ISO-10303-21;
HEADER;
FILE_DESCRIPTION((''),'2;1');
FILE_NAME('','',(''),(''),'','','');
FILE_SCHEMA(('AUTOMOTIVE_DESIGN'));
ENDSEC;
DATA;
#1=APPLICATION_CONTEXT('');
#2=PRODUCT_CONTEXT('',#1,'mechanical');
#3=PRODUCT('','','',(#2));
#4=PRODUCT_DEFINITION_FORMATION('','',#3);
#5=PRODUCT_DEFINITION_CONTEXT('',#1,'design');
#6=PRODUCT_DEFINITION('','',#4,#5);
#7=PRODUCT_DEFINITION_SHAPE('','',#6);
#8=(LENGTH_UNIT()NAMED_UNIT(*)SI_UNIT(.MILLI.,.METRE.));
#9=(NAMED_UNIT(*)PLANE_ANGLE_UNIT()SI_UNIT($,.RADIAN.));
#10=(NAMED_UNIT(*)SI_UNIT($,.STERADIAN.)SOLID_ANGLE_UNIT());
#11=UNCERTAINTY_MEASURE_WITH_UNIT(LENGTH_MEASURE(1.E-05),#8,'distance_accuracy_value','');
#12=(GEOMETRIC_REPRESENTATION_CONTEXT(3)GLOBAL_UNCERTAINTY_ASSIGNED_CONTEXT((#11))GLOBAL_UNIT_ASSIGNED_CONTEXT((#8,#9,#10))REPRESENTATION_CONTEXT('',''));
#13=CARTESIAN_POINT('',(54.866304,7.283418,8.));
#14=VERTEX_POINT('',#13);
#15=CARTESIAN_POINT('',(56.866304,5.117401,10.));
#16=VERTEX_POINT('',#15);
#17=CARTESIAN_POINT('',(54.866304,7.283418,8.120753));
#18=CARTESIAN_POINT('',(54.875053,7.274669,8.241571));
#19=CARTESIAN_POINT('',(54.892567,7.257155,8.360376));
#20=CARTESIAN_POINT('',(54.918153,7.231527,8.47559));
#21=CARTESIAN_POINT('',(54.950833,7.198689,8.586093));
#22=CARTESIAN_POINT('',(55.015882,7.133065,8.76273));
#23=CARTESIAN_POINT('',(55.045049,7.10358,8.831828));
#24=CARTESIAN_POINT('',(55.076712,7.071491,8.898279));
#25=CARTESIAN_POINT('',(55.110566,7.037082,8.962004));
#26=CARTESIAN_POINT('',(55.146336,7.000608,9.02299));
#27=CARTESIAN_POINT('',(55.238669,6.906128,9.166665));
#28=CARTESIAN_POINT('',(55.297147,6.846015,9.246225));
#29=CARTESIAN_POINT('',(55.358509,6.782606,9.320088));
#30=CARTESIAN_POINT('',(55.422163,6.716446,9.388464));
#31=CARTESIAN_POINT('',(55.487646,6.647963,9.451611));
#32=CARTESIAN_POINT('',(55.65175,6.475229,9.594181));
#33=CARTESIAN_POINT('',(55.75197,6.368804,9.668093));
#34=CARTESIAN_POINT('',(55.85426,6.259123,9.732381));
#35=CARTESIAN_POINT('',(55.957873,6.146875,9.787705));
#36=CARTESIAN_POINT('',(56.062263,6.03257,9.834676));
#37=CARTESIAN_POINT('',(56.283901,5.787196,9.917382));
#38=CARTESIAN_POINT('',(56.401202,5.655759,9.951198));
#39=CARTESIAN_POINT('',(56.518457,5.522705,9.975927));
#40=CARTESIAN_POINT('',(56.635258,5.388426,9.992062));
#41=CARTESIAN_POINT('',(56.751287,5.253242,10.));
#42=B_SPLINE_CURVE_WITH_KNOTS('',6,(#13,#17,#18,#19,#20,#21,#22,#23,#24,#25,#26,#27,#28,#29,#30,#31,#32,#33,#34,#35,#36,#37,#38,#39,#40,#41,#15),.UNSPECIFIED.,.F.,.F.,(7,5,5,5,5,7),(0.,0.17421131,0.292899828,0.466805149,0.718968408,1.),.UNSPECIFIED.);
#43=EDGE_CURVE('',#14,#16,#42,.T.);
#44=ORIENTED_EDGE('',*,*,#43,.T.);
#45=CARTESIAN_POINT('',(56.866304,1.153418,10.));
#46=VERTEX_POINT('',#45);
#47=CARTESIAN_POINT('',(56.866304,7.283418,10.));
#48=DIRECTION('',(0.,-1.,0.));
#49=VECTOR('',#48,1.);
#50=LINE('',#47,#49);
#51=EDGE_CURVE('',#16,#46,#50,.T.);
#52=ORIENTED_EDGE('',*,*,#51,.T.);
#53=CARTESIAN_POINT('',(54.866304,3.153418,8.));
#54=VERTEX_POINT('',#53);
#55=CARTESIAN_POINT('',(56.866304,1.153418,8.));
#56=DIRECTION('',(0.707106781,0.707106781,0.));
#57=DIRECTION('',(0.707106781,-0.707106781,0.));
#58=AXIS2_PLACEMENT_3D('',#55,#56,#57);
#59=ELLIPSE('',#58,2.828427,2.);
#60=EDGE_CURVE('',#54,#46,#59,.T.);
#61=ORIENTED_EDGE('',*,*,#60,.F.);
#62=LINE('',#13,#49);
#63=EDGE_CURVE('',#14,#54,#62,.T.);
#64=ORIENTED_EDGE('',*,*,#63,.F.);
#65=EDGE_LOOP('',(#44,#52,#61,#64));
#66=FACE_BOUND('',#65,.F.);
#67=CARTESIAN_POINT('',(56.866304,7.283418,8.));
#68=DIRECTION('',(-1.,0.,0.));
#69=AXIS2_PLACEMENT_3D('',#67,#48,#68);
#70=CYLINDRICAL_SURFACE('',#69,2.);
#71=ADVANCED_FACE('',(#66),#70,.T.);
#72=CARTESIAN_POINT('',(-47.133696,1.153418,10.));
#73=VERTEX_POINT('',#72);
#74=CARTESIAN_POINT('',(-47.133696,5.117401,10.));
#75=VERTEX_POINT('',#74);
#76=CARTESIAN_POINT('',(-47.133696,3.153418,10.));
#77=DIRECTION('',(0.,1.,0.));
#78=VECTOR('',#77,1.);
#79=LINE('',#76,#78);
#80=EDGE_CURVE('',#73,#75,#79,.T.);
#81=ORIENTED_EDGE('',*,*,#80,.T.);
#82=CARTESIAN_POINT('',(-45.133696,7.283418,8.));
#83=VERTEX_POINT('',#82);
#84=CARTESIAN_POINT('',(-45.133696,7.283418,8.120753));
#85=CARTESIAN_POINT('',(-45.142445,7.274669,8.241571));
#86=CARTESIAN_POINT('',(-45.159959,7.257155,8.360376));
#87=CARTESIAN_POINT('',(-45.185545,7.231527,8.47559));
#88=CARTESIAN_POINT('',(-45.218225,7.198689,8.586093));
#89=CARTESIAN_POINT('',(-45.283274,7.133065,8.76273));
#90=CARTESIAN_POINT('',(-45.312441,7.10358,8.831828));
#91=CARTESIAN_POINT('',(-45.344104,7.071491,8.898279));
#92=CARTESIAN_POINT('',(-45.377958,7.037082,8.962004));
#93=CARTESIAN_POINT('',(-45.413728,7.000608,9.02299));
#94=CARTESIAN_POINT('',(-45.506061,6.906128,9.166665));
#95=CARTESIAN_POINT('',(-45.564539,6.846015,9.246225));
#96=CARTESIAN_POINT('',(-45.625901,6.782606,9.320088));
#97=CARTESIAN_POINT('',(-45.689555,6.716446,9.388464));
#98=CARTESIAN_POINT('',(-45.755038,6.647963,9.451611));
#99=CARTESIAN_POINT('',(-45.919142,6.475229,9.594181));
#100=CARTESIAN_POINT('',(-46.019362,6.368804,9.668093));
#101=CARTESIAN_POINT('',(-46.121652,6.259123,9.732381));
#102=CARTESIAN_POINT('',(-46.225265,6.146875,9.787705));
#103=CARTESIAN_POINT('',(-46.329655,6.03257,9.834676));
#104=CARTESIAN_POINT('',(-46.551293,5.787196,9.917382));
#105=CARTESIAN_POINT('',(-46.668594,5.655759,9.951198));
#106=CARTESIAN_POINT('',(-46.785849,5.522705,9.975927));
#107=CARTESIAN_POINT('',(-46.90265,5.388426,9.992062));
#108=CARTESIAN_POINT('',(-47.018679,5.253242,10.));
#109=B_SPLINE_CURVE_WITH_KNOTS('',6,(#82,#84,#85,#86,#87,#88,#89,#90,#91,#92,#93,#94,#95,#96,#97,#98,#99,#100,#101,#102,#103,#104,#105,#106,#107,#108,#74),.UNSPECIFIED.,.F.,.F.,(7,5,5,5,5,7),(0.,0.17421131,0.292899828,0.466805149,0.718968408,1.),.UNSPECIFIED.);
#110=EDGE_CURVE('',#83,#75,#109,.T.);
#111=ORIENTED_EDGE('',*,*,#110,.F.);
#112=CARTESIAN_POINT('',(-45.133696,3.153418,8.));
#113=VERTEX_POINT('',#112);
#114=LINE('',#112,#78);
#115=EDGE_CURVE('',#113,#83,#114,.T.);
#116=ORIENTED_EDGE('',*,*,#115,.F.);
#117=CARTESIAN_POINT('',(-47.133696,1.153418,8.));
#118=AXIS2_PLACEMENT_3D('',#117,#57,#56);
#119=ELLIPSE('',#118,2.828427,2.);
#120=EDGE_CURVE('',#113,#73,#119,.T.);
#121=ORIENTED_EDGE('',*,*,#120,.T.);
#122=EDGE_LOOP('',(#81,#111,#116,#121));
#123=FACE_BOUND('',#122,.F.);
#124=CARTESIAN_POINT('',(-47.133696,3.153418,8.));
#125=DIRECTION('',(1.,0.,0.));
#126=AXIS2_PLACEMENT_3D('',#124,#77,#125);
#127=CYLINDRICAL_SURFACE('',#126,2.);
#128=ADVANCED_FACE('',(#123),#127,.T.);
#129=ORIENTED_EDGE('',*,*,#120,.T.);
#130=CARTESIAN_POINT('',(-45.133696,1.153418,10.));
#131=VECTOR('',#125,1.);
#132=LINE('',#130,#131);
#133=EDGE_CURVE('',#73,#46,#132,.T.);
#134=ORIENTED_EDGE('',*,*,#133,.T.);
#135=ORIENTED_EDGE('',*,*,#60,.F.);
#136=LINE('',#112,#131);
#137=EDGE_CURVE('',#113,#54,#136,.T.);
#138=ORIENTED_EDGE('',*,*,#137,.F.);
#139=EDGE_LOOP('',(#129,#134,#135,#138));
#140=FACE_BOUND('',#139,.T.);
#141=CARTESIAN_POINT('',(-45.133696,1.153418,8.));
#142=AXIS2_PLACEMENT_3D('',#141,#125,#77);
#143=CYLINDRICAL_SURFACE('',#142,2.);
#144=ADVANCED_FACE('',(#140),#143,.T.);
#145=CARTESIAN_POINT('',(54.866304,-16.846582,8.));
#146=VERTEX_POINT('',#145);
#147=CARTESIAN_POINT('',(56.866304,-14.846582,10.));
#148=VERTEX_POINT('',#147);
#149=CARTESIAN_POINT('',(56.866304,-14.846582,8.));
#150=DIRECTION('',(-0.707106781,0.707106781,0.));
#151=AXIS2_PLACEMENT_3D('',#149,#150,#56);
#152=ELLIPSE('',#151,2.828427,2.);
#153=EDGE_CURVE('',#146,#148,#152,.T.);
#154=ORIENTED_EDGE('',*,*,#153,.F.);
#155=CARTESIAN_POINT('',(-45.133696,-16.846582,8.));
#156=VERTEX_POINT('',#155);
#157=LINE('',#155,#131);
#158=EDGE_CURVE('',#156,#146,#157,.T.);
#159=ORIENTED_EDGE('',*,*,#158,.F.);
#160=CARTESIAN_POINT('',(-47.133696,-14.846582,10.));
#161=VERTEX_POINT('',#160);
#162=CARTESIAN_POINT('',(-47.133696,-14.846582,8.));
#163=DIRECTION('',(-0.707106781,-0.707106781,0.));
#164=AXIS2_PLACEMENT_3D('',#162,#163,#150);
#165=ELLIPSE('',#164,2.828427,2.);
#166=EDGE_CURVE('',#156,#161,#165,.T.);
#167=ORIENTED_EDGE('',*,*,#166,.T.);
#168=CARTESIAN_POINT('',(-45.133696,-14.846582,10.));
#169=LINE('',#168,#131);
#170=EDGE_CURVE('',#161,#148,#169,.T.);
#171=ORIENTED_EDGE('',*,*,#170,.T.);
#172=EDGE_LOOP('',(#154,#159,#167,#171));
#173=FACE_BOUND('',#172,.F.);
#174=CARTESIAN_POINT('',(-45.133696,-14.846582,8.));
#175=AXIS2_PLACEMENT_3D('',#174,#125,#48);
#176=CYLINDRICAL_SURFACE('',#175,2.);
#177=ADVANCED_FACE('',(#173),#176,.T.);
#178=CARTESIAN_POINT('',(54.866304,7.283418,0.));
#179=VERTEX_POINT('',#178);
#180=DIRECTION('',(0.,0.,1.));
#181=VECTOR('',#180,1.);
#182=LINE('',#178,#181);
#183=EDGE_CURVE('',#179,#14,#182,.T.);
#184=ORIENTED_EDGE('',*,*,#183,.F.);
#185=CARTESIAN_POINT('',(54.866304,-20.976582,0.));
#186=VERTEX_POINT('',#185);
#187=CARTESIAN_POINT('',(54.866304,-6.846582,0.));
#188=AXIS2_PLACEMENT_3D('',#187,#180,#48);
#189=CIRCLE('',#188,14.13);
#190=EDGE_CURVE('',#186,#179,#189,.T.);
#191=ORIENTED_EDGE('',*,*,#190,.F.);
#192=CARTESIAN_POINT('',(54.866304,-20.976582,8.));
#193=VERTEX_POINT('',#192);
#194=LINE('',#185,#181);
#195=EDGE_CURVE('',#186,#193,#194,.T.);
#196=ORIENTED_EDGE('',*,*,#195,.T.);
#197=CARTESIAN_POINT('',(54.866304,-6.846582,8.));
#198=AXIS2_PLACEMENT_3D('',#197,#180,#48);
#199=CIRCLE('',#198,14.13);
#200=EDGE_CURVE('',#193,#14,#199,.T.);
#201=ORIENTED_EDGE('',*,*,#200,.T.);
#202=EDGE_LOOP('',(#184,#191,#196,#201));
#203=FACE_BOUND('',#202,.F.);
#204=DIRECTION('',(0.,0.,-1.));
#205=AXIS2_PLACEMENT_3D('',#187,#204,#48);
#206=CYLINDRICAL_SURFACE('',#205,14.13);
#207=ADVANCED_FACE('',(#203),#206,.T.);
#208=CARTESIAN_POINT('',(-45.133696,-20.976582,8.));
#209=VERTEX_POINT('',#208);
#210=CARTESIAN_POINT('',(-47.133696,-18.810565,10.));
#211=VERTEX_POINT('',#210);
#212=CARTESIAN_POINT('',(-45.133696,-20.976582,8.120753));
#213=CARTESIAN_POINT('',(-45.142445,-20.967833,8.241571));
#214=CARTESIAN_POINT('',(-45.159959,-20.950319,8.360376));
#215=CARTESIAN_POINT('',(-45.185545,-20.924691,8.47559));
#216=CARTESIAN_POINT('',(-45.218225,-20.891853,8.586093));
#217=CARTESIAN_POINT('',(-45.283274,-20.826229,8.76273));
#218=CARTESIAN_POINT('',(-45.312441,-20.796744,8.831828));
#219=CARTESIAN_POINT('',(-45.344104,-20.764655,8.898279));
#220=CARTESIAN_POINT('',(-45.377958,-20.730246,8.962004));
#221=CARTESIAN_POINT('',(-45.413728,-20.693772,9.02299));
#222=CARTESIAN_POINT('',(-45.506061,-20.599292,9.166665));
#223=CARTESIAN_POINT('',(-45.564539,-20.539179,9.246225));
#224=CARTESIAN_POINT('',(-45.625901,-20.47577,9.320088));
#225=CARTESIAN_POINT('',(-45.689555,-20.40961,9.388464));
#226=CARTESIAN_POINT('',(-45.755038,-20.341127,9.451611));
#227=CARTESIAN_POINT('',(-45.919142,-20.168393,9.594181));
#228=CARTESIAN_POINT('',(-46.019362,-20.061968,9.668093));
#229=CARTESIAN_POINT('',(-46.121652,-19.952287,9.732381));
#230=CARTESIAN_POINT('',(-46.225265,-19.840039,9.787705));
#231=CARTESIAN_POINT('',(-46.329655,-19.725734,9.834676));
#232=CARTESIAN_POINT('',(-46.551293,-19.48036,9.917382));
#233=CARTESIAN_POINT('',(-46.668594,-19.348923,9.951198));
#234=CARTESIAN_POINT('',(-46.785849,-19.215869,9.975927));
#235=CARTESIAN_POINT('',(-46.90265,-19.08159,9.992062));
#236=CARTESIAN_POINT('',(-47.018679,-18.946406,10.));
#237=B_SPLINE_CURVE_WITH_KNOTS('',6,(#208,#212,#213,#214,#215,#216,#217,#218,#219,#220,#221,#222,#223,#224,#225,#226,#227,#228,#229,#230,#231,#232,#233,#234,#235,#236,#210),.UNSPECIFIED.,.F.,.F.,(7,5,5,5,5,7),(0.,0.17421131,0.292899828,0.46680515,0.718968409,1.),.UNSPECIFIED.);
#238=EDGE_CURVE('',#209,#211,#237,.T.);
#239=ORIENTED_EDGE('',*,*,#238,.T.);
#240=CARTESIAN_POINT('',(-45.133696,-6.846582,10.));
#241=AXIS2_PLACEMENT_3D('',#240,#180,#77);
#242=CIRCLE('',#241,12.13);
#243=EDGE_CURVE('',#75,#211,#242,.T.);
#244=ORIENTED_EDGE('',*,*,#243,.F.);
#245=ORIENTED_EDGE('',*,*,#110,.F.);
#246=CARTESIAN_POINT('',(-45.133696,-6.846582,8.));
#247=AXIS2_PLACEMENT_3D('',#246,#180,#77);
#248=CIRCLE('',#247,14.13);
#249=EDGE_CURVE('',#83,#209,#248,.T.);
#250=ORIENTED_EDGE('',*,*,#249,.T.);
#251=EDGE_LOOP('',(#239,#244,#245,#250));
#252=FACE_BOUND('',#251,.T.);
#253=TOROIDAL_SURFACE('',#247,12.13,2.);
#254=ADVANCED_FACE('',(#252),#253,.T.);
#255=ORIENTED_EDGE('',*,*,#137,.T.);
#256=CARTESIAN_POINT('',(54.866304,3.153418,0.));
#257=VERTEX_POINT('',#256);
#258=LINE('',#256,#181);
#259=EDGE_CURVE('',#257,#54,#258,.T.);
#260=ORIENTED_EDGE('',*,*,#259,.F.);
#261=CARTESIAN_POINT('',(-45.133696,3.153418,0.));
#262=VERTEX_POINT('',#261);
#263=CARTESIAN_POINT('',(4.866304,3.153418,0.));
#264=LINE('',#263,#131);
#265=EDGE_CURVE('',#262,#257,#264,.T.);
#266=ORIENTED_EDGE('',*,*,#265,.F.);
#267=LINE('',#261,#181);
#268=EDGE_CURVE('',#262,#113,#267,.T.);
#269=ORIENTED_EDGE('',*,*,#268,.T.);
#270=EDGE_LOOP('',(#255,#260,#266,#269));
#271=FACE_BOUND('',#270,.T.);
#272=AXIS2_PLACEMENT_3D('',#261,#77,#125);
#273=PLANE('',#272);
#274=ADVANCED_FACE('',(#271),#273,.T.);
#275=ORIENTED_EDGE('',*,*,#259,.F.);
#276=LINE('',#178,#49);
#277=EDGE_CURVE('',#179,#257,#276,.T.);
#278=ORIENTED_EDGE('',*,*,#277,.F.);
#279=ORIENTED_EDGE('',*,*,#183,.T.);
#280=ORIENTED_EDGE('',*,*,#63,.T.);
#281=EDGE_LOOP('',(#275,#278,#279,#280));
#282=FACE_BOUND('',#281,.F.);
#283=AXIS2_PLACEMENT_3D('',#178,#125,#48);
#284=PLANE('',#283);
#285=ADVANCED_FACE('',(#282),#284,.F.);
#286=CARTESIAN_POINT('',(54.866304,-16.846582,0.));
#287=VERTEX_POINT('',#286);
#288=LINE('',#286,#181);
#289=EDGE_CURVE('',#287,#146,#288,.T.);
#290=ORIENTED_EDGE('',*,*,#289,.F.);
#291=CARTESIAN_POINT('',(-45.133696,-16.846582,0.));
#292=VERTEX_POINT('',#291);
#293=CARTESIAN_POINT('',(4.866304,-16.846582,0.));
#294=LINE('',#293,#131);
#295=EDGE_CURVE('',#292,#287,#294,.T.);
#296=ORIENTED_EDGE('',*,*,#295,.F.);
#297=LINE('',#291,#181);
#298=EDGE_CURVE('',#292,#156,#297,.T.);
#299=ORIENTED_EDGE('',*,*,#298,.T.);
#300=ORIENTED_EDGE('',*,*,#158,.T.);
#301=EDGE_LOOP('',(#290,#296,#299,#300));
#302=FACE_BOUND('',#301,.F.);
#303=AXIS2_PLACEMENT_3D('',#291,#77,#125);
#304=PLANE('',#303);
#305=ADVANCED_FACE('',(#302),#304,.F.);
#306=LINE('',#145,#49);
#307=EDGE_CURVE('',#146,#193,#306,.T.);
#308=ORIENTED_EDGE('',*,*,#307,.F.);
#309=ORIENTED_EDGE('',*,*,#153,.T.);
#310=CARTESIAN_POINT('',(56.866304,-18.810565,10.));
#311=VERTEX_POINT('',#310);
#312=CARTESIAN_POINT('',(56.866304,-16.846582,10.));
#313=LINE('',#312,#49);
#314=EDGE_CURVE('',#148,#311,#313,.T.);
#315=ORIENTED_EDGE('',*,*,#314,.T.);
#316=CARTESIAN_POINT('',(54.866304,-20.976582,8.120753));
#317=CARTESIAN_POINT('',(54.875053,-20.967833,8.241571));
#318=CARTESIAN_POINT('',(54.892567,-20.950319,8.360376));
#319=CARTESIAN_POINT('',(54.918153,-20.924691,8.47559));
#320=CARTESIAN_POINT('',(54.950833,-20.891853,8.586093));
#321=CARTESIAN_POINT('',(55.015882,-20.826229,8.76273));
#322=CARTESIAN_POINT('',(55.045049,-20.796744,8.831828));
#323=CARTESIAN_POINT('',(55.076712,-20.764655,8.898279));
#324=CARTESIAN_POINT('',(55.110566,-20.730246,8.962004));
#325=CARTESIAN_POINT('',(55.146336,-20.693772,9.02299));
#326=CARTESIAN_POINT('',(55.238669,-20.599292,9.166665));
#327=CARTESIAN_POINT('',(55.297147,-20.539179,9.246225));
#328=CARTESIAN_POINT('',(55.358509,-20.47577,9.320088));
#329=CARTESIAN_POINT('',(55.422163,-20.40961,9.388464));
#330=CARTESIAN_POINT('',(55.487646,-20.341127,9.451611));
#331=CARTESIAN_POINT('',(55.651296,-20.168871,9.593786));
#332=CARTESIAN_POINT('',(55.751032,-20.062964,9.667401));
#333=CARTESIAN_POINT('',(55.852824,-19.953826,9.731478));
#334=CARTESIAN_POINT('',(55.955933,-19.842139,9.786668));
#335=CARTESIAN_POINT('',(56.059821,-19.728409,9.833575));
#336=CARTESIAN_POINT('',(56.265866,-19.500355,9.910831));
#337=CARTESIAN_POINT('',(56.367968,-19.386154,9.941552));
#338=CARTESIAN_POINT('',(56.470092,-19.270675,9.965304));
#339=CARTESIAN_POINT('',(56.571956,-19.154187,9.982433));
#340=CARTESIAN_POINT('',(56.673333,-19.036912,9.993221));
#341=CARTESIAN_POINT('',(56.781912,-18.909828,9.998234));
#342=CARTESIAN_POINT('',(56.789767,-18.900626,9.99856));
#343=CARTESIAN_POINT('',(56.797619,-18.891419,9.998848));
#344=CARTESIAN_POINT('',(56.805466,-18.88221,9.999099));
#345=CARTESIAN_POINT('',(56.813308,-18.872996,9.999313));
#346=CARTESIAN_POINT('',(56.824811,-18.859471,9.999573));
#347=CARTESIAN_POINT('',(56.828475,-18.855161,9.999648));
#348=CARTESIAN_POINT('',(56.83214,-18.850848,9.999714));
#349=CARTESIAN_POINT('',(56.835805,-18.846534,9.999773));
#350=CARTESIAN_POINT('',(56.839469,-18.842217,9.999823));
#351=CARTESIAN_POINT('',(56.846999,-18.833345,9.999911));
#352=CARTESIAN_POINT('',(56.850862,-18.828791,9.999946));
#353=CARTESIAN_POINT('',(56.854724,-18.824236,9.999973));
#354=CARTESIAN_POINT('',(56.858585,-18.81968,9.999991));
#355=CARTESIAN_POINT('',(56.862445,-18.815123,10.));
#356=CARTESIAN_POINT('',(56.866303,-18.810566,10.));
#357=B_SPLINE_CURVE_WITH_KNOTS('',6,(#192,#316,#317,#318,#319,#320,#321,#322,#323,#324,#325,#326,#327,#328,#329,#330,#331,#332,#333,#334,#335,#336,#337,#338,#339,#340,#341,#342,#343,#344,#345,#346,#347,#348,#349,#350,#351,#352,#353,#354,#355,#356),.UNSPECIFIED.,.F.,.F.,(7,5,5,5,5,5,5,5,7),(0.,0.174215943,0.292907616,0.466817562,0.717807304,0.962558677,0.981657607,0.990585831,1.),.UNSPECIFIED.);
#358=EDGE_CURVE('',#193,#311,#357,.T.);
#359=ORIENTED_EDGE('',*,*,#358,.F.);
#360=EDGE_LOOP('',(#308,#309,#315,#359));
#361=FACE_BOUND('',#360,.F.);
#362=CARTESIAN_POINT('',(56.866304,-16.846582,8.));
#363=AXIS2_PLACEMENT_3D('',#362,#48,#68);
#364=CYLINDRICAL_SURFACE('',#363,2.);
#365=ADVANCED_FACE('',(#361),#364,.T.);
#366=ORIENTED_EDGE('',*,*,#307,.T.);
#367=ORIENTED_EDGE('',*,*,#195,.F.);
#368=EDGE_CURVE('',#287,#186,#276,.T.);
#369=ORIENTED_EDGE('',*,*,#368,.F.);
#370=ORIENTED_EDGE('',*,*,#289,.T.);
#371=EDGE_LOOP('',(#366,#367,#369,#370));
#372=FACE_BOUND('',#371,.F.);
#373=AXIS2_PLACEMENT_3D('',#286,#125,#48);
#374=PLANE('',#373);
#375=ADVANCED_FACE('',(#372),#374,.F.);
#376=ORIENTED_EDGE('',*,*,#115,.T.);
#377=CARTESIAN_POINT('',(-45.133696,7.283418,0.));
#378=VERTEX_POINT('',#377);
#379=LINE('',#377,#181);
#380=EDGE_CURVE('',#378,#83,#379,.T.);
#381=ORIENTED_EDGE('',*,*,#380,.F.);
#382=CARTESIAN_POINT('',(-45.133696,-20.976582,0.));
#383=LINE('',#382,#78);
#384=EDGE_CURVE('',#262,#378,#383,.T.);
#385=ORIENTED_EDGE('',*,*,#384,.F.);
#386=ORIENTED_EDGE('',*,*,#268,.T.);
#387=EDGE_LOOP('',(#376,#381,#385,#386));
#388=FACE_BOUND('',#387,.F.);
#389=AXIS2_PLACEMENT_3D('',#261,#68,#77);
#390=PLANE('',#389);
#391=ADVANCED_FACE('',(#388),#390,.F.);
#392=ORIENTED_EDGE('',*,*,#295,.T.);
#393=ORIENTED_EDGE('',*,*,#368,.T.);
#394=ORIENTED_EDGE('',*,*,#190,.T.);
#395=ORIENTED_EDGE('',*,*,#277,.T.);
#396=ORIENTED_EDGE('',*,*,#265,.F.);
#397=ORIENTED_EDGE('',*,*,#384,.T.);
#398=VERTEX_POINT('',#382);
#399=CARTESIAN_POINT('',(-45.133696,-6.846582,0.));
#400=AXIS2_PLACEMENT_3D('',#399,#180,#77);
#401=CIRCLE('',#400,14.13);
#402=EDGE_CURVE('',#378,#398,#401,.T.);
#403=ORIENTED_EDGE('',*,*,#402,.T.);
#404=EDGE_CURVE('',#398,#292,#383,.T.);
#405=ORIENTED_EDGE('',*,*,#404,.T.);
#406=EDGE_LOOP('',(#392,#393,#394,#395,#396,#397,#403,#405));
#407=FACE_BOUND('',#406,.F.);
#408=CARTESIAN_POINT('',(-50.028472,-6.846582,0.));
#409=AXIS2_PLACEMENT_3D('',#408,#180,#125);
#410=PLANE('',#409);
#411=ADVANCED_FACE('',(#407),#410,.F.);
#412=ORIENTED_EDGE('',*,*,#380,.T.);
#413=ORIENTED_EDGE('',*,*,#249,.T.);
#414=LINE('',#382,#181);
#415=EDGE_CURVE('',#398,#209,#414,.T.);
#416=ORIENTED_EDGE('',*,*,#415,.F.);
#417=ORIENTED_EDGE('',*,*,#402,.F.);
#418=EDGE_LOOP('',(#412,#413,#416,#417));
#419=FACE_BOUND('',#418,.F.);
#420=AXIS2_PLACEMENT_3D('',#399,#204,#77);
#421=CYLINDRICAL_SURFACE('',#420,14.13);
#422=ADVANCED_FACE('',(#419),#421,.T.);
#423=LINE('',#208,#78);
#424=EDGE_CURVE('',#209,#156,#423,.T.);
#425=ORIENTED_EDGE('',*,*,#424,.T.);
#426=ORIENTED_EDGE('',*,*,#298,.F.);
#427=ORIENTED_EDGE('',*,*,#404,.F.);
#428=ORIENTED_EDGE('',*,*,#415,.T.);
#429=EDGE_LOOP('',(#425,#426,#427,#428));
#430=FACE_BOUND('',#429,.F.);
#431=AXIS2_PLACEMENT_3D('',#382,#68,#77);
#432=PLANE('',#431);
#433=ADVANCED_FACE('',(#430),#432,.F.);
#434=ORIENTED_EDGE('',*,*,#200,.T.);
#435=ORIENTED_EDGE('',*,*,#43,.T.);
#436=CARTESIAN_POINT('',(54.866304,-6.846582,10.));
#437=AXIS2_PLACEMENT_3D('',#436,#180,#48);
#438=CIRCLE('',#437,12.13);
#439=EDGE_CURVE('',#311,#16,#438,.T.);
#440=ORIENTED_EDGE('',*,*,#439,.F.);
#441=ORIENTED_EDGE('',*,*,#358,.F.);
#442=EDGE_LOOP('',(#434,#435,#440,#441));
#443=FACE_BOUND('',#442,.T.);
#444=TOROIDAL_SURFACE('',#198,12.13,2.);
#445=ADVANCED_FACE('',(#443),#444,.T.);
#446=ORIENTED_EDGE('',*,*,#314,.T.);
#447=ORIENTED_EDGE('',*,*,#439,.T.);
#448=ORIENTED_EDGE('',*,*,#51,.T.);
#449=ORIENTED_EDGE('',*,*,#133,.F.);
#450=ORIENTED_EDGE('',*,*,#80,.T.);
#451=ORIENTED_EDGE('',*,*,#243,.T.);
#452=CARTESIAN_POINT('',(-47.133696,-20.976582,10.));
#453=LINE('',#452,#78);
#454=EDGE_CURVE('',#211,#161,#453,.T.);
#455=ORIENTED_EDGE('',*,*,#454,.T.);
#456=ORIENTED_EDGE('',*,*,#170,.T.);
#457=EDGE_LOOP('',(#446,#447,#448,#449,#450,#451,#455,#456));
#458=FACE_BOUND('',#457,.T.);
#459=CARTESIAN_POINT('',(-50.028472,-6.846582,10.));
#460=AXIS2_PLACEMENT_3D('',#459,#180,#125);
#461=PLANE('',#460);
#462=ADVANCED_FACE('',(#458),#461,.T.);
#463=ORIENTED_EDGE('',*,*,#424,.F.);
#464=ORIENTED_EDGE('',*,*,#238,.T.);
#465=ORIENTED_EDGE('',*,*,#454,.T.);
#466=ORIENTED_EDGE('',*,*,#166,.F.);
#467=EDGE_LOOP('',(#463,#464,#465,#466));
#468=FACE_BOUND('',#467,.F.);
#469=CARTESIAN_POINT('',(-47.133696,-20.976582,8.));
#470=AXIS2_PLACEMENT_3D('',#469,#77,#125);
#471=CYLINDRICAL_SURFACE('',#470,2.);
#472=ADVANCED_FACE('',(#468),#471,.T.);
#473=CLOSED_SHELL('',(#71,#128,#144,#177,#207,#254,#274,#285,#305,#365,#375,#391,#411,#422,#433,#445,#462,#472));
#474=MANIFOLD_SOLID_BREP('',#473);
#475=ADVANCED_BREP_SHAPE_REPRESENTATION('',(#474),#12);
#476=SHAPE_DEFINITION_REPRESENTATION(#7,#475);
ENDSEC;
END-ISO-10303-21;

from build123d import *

# Parameters (mm, degrees)
F0_W     = 100
F0_H     = 20
F1_DEPTH = 10
F2_R     = 2


with BuildPart() as f1:
    # F0 (on Top) → F1 (new body)
    with BuildSketch(Plane.XY):
        with BuildLine():
            Line((-45.133696, -16.846582), (-45.133696, 3.153418))
            Line((-45.133696, 3.153418), (-45.133696, 7.283418))
            ThreePointArc((-45.133696, 7.283418), (-59.263696, -6.846582), (-45.133696, -20.976582))
            Line((-45.133696, -20.976582), (-45.133696, -16.846582))
        make_face()
        with Locations((4.866304, -6.846582)):
            Rectangle(F0_W, F0_H)
        with BuildLine():
            Line((54.866304, 7.283418), (54.866304, 3.153418))
            Line((54.866304, 3.153418), (54.866304, -16.846582))
            Line((54.866304, -16.846582), (54.866304, -20.976582))
            ThreePointArc((54.866304, -20.976582), (68.996304, -6.846582), (54.866304, 7.283418))
        make_face()
    extrude(amount=F1_DEPTH)

    # F2
    f2_edges = [f1.edges().sort_by_distance(p)[0] for p in [
        (-45.133696, 5.218418, 10),
        (-45.133696, -18.911582, 10),
        (-59.263696, -6.846582, 10),
        (4.866304, 3.153418, 10),
        (4.866304, -16.846582, 10),
        (68.996304, -6.846582, 10),
        (54.866304, 5.218418, 10),
        (54.866304, -18.911582, 10),
    ]]
    fillet(f2_edges, radius=F2_R)


solid = f1.part
